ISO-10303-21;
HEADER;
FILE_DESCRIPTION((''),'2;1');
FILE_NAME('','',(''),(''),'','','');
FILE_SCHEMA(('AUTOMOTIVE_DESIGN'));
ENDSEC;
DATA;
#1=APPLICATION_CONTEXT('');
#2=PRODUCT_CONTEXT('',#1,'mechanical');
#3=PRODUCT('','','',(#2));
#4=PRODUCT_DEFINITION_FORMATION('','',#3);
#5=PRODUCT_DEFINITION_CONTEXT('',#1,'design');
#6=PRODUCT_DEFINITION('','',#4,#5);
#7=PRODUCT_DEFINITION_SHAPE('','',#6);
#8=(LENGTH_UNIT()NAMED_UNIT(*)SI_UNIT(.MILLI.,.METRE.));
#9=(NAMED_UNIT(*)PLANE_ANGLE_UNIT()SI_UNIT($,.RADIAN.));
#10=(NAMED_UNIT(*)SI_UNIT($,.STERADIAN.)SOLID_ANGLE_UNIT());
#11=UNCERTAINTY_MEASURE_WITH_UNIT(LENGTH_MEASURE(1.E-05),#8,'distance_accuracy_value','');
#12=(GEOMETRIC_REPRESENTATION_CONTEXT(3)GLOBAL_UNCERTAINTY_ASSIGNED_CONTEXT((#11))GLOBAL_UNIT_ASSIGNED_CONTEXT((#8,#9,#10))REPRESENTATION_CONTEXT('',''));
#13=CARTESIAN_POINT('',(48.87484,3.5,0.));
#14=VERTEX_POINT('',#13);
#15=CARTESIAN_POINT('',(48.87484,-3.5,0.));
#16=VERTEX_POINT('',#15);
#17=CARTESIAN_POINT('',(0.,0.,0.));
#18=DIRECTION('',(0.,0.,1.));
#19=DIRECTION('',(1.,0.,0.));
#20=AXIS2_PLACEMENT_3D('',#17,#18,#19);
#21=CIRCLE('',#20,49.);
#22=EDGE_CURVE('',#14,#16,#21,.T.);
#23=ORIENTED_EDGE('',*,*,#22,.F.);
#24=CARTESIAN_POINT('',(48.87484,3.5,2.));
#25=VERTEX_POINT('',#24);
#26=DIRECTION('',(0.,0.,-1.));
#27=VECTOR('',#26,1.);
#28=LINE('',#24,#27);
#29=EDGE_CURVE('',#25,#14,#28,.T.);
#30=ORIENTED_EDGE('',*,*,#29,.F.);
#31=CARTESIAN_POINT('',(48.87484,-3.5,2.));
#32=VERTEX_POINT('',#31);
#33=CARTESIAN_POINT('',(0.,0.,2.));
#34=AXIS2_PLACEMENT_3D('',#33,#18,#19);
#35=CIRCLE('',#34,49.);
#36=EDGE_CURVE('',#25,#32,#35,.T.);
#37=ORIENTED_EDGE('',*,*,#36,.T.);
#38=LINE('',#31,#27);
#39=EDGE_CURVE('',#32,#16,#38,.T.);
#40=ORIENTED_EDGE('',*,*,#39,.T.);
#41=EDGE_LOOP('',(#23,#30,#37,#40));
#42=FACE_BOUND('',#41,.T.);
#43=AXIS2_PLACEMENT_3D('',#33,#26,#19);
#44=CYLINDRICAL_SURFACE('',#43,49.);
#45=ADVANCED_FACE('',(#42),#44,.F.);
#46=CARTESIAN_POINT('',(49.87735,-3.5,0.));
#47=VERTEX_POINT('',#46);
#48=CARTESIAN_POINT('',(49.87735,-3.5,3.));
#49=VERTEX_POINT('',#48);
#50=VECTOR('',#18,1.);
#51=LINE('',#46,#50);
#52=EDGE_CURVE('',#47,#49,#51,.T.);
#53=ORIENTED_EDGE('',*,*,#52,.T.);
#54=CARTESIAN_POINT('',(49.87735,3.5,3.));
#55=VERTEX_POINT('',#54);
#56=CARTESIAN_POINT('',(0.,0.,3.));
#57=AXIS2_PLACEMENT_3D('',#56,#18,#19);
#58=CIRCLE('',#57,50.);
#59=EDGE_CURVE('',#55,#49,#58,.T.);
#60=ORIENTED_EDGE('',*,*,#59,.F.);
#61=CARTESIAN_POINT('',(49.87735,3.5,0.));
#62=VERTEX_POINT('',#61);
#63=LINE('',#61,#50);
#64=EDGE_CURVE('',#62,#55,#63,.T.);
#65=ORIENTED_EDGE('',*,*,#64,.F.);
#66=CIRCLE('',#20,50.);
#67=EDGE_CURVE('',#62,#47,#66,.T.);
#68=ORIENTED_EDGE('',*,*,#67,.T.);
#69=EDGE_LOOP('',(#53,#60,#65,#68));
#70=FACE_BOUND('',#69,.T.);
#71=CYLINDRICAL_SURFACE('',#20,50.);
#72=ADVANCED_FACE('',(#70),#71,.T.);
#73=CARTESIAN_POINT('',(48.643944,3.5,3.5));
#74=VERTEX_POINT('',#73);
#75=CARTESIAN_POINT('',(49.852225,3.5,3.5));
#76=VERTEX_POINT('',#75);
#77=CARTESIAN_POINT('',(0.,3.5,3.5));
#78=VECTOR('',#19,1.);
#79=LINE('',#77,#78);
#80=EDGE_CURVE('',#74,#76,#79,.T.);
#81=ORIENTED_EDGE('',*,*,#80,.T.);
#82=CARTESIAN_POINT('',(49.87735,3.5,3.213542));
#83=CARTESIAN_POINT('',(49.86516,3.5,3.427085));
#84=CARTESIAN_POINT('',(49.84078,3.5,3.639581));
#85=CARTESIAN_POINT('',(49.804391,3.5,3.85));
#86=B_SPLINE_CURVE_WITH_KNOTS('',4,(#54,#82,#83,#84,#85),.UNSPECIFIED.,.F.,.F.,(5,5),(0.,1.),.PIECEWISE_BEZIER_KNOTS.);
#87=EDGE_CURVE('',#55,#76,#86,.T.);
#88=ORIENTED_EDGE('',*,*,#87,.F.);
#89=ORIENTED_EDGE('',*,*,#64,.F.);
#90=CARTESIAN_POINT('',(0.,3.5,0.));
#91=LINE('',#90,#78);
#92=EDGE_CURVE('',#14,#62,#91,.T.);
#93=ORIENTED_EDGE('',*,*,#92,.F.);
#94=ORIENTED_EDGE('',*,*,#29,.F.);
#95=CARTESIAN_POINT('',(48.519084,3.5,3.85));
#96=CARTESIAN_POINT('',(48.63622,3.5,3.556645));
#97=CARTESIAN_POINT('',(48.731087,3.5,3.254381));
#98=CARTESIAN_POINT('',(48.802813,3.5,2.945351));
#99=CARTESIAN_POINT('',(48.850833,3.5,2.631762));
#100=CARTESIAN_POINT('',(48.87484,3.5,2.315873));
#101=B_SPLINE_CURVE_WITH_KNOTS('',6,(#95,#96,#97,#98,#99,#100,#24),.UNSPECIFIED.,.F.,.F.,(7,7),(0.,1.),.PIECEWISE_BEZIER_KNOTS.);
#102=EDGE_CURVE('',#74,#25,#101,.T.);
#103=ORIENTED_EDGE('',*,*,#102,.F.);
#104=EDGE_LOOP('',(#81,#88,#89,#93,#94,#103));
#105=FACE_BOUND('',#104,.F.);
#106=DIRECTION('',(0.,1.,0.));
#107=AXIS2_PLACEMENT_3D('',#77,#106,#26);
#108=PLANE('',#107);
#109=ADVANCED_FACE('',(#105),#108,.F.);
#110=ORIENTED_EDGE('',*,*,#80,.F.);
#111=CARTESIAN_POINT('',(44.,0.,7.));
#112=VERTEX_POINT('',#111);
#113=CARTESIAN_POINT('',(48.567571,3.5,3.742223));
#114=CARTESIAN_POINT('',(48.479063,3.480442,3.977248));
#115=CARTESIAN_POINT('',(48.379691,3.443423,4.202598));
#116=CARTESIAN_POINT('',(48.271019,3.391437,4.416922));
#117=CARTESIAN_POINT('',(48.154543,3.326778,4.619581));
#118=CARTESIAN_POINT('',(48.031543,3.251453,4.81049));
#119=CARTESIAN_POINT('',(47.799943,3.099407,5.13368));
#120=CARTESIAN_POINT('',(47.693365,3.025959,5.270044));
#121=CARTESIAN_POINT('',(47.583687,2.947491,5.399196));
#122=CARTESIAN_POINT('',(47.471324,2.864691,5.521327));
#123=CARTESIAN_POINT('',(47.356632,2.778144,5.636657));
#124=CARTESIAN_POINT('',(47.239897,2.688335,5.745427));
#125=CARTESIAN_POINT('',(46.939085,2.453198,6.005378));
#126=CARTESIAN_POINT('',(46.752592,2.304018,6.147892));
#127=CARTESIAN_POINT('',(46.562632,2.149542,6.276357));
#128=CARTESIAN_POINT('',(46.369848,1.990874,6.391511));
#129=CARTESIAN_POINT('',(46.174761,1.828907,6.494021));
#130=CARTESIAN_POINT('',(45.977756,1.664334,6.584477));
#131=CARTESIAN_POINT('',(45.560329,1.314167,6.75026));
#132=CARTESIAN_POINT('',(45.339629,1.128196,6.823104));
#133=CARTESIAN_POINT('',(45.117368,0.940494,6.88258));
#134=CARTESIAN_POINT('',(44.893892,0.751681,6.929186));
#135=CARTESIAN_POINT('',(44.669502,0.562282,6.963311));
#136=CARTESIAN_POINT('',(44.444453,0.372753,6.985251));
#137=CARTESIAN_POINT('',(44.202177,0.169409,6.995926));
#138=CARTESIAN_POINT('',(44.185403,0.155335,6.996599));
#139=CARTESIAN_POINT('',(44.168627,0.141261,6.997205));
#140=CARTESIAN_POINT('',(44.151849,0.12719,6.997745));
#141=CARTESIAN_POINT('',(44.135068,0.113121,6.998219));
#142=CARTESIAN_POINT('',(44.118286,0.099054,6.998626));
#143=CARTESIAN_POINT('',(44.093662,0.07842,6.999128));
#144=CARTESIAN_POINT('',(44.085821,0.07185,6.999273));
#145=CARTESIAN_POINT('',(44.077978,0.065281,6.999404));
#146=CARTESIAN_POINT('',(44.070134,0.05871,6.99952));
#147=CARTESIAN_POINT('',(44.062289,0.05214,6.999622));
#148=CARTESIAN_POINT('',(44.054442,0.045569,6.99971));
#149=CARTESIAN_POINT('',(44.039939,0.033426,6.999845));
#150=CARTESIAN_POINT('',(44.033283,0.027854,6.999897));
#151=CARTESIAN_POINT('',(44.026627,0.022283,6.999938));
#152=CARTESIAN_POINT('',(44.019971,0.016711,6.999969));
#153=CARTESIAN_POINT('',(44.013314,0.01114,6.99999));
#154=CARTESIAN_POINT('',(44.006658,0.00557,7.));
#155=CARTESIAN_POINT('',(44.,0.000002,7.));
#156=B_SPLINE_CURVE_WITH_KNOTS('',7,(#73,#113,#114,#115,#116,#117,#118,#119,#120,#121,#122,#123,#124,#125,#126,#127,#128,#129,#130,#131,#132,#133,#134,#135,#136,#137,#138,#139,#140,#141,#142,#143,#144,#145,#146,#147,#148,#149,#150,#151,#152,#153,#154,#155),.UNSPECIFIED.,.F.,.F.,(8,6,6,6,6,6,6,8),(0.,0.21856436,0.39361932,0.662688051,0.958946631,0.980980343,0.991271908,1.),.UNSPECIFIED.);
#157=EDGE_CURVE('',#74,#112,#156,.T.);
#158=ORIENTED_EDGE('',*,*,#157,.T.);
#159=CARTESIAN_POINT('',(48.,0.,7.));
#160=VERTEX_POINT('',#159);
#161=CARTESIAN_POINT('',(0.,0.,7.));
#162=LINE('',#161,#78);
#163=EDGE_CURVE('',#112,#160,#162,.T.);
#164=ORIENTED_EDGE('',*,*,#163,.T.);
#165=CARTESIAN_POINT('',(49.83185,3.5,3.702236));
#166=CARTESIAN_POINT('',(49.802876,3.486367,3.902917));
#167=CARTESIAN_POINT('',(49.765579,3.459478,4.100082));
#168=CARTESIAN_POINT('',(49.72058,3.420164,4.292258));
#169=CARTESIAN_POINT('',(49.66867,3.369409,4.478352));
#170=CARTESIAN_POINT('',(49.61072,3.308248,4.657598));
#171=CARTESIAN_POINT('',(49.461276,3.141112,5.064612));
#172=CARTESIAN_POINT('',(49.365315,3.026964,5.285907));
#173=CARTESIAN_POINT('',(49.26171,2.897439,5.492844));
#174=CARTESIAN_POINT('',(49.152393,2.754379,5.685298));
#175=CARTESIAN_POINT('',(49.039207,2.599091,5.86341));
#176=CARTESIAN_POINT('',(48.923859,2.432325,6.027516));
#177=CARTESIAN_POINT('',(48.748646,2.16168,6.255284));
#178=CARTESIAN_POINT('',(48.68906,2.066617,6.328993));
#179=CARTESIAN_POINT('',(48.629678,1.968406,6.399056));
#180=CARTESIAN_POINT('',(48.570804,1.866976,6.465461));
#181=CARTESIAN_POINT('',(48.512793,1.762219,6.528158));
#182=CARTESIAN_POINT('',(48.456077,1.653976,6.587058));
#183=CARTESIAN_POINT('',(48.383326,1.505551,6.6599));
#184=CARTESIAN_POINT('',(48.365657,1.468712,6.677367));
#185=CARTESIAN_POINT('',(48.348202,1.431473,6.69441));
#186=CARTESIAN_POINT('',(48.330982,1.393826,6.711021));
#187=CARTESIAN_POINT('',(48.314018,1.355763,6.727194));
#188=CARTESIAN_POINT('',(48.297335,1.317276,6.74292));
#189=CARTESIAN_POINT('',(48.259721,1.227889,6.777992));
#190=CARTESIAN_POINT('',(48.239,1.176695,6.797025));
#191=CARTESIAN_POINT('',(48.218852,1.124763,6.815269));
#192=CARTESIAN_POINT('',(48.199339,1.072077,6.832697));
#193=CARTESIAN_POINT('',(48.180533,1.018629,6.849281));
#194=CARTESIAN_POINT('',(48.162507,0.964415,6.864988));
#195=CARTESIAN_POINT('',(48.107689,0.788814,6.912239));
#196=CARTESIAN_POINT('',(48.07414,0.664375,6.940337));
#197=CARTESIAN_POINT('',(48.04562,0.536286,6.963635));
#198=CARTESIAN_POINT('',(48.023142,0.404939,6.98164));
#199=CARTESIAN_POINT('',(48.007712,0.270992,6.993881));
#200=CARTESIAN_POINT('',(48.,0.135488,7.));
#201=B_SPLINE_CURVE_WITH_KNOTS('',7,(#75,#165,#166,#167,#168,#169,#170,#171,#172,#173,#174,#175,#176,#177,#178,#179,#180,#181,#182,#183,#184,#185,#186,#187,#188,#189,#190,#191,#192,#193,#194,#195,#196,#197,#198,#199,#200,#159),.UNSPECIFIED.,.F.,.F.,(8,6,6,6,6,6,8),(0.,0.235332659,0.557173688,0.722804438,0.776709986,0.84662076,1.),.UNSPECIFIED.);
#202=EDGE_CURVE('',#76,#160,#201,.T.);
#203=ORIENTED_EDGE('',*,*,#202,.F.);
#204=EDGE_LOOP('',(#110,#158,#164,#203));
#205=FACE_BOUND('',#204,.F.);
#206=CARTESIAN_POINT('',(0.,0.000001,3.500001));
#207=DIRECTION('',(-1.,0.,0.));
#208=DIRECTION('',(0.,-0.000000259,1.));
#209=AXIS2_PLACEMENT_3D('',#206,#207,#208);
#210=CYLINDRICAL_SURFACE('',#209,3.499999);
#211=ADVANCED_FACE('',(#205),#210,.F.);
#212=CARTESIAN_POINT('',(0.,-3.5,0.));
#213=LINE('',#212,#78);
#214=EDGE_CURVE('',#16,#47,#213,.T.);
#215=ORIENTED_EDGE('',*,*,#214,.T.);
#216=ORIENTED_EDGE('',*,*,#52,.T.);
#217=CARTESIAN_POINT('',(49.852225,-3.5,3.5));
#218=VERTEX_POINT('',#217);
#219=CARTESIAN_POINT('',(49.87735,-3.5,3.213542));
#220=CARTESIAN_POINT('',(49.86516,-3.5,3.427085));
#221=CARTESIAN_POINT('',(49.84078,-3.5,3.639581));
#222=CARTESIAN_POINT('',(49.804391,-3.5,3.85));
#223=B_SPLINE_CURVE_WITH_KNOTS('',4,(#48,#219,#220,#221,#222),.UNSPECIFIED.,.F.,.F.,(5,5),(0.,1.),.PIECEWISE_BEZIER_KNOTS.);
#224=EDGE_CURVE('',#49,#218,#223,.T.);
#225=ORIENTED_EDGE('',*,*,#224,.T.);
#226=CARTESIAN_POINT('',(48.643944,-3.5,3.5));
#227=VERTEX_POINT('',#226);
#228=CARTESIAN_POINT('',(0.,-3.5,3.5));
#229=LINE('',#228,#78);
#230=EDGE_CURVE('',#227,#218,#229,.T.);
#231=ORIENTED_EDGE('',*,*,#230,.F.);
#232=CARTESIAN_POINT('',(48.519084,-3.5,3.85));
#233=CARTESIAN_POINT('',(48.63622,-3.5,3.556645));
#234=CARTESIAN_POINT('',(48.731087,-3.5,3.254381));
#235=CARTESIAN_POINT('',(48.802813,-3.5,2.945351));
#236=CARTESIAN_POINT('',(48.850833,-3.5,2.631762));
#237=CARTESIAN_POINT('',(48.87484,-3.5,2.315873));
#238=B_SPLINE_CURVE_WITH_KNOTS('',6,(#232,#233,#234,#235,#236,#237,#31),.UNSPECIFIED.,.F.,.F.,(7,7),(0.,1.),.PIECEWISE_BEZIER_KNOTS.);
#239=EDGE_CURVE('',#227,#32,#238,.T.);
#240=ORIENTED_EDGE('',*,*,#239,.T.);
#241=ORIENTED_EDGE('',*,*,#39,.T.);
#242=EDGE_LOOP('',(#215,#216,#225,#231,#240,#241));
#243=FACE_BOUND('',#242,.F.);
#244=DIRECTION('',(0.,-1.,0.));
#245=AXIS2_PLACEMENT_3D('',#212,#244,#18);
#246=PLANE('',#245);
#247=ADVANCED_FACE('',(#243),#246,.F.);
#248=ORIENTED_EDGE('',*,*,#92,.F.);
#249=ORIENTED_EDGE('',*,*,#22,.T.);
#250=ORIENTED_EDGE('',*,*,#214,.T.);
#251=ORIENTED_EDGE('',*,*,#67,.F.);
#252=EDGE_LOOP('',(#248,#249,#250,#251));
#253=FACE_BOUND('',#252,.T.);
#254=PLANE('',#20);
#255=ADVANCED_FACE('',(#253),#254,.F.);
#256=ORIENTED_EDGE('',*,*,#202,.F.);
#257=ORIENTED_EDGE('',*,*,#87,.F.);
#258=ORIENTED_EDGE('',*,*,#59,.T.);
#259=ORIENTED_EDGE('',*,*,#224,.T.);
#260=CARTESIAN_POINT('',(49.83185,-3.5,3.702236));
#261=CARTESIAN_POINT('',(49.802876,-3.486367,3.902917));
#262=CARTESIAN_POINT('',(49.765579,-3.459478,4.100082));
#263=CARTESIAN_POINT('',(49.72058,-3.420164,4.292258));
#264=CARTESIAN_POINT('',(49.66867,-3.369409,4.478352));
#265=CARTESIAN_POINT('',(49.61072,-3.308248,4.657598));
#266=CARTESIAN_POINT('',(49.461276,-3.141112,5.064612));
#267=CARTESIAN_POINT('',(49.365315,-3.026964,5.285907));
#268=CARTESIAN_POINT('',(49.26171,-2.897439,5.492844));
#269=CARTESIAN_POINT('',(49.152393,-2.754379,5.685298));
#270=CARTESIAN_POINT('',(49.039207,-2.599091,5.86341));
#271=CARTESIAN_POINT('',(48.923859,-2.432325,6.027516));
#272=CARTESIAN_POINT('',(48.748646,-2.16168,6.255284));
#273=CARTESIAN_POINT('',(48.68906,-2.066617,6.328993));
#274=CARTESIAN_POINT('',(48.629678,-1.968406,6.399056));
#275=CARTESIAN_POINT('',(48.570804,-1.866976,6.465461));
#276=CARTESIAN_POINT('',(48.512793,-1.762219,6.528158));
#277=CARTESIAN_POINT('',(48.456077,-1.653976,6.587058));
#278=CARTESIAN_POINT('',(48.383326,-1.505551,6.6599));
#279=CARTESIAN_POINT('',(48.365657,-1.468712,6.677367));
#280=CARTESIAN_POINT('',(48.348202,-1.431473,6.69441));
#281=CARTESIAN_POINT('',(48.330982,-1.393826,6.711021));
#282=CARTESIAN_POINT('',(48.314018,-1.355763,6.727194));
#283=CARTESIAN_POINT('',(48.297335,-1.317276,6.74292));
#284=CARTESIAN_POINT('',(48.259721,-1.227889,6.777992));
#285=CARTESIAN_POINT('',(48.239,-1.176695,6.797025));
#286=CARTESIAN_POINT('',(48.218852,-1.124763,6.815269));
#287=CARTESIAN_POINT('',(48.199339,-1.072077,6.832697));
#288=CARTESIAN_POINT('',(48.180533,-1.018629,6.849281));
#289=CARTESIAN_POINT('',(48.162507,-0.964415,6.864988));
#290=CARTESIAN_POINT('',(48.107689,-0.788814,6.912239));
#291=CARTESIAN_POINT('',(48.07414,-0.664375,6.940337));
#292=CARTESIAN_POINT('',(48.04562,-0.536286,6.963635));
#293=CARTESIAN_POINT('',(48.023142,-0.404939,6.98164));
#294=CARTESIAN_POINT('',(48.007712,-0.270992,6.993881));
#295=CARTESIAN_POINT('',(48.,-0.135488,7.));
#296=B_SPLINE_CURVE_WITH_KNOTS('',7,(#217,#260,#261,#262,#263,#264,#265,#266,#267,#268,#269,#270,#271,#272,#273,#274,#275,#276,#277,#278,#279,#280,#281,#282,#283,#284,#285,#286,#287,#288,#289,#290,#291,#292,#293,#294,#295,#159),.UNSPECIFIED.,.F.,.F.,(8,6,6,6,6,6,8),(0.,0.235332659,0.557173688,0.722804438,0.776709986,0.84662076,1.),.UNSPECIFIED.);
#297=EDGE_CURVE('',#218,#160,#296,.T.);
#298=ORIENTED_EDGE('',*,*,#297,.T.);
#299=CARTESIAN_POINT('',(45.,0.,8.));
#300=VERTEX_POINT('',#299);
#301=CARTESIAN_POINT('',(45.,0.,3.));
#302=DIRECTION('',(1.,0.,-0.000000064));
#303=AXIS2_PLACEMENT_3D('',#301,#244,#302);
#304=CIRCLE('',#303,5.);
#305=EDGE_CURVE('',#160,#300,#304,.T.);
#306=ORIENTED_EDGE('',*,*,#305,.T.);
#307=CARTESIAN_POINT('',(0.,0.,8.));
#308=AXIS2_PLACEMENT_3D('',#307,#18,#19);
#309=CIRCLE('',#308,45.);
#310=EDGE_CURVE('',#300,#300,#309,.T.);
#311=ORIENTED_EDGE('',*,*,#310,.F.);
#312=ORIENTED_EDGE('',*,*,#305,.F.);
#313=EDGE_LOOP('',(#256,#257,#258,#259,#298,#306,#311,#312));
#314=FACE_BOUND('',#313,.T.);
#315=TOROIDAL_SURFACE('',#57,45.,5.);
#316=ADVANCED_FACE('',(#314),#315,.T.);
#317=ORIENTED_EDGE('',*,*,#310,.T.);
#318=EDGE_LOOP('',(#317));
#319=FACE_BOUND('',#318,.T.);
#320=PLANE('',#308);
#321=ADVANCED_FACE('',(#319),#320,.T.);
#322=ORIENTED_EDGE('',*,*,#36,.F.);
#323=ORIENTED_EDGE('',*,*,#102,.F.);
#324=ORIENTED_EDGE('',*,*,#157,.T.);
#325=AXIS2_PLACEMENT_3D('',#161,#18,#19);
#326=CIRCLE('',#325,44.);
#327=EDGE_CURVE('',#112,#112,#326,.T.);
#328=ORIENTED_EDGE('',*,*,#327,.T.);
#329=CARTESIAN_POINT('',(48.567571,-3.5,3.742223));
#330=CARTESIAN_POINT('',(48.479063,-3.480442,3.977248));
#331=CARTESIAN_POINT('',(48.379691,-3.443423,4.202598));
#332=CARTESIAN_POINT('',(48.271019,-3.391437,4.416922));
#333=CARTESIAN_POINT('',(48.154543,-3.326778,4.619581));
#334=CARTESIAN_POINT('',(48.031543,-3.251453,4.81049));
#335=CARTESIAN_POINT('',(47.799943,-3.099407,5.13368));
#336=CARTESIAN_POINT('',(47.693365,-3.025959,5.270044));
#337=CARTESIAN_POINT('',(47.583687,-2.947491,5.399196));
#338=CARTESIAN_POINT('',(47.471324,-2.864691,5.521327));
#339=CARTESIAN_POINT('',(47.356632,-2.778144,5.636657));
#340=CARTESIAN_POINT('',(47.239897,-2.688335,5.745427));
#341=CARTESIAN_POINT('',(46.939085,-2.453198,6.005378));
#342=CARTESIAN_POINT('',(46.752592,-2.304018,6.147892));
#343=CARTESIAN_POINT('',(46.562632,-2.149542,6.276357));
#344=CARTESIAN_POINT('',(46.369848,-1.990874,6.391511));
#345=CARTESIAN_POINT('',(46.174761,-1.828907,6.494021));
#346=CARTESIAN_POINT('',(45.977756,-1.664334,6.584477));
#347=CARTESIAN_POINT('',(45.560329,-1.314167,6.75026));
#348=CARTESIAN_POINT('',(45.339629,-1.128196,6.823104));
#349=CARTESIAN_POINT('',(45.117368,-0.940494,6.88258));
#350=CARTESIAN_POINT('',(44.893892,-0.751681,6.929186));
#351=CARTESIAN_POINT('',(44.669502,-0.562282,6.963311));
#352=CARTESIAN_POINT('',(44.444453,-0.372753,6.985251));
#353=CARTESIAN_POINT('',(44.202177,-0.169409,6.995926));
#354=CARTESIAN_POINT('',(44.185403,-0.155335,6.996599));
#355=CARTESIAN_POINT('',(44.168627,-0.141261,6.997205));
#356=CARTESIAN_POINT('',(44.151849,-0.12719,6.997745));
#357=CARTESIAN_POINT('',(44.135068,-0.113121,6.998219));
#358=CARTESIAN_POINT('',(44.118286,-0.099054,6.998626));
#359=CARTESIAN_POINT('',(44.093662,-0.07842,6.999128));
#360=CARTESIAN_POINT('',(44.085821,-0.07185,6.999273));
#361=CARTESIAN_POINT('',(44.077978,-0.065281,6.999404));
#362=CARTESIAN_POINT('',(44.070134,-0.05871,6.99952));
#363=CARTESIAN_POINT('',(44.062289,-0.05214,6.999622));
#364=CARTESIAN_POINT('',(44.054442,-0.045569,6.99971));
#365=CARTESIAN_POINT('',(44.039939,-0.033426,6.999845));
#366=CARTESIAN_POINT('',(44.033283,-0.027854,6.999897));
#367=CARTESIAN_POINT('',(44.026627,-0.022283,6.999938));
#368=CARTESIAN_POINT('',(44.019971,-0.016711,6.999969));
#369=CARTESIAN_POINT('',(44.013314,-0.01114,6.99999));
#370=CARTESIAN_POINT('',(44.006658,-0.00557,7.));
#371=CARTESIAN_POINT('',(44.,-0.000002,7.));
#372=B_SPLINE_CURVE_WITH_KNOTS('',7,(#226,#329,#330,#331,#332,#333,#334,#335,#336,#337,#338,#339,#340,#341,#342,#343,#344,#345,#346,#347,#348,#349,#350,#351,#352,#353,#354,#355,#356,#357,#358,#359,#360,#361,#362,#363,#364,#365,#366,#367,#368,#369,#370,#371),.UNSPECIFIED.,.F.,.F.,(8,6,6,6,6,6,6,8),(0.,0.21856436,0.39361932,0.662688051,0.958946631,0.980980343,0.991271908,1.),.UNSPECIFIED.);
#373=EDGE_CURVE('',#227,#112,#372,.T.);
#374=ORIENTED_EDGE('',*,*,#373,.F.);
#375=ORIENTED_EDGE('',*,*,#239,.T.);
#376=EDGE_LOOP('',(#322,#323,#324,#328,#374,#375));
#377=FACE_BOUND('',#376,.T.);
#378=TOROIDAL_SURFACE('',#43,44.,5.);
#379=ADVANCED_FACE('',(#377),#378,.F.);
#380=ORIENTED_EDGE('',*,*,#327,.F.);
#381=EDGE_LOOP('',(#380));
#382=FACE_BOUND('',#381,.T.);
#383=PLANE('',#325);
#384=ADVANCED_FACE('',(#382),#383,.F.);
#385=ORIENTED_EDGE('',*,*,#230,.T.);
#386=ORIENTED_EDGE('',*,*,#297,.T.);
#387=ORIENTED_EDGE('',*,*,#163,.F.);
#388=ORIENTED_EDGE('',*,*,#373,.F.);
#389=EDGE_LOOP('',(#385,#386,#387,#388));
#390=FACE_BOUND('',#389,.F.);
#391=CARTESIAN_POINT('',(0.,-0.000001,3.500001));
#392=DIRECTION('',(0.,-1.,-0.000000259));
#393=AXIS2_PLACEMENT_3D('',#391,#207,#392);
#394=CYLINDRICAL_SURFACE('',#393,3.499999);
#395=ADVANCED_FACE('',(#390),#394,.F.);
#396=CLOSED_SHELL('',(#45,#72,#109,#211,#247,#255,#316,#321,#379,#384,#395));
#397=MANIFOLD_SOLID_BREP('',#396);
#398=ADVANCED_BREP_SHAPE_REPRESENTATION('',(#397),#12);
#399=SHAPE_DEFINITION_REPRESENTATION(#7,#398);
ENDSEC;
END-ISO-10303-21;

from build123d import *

# Parameters (mm, degrees)
F4_DEPTH = 75


with BuildPart() as f1:
    # F0 (on Front) → F1 (revolve)
    with BuildSketch(Plane.XZ):
        with BuildLine():
            Line((49, 0), (50, 0))
            Line((50, 0), (50, 3))
            ThreePointArc((50, 3), (48.535534, 6.535534), (45, 8))
            Line((45, 8), (0, 8))
            Line((0, 8), (0, 7))
            Line((0, 7), (44, 7))
            ThreePointArc((44, 7), (47.535534, 5.535534), (49, 2))
            Line((49, 2), (49, 0))
        make_face()
    revolve(axis=Axis((0, 0, 4), (0, 0, 1)))

    # F3 (on face) → F4 (cut)
    with BuildSketch(Plane(origin=(0, 0, 0), x_dir=(0, -1, 0), z_dir=(-1, 0, 0))):
        with BuildLine():
            Line((-3.5, 0), (0, 0))
            Line((0, 0), (3.5, 0))
            Line((3.5, 0), (3.5, 3.5))
            ThreePointArc((3.5, 3.5), (2.474874, 5.974874), (0, 7))
            ThreePointArc((0, 7), (-2.474874, 5.974874), (-3.5, 3.5))
            Line((-3.5, 3.5), (-3.5, 0))
        make_face()
    extrude(amount=-F4_DEPTH, mode=Mode.SUBTRACT)


solid = f1.part
